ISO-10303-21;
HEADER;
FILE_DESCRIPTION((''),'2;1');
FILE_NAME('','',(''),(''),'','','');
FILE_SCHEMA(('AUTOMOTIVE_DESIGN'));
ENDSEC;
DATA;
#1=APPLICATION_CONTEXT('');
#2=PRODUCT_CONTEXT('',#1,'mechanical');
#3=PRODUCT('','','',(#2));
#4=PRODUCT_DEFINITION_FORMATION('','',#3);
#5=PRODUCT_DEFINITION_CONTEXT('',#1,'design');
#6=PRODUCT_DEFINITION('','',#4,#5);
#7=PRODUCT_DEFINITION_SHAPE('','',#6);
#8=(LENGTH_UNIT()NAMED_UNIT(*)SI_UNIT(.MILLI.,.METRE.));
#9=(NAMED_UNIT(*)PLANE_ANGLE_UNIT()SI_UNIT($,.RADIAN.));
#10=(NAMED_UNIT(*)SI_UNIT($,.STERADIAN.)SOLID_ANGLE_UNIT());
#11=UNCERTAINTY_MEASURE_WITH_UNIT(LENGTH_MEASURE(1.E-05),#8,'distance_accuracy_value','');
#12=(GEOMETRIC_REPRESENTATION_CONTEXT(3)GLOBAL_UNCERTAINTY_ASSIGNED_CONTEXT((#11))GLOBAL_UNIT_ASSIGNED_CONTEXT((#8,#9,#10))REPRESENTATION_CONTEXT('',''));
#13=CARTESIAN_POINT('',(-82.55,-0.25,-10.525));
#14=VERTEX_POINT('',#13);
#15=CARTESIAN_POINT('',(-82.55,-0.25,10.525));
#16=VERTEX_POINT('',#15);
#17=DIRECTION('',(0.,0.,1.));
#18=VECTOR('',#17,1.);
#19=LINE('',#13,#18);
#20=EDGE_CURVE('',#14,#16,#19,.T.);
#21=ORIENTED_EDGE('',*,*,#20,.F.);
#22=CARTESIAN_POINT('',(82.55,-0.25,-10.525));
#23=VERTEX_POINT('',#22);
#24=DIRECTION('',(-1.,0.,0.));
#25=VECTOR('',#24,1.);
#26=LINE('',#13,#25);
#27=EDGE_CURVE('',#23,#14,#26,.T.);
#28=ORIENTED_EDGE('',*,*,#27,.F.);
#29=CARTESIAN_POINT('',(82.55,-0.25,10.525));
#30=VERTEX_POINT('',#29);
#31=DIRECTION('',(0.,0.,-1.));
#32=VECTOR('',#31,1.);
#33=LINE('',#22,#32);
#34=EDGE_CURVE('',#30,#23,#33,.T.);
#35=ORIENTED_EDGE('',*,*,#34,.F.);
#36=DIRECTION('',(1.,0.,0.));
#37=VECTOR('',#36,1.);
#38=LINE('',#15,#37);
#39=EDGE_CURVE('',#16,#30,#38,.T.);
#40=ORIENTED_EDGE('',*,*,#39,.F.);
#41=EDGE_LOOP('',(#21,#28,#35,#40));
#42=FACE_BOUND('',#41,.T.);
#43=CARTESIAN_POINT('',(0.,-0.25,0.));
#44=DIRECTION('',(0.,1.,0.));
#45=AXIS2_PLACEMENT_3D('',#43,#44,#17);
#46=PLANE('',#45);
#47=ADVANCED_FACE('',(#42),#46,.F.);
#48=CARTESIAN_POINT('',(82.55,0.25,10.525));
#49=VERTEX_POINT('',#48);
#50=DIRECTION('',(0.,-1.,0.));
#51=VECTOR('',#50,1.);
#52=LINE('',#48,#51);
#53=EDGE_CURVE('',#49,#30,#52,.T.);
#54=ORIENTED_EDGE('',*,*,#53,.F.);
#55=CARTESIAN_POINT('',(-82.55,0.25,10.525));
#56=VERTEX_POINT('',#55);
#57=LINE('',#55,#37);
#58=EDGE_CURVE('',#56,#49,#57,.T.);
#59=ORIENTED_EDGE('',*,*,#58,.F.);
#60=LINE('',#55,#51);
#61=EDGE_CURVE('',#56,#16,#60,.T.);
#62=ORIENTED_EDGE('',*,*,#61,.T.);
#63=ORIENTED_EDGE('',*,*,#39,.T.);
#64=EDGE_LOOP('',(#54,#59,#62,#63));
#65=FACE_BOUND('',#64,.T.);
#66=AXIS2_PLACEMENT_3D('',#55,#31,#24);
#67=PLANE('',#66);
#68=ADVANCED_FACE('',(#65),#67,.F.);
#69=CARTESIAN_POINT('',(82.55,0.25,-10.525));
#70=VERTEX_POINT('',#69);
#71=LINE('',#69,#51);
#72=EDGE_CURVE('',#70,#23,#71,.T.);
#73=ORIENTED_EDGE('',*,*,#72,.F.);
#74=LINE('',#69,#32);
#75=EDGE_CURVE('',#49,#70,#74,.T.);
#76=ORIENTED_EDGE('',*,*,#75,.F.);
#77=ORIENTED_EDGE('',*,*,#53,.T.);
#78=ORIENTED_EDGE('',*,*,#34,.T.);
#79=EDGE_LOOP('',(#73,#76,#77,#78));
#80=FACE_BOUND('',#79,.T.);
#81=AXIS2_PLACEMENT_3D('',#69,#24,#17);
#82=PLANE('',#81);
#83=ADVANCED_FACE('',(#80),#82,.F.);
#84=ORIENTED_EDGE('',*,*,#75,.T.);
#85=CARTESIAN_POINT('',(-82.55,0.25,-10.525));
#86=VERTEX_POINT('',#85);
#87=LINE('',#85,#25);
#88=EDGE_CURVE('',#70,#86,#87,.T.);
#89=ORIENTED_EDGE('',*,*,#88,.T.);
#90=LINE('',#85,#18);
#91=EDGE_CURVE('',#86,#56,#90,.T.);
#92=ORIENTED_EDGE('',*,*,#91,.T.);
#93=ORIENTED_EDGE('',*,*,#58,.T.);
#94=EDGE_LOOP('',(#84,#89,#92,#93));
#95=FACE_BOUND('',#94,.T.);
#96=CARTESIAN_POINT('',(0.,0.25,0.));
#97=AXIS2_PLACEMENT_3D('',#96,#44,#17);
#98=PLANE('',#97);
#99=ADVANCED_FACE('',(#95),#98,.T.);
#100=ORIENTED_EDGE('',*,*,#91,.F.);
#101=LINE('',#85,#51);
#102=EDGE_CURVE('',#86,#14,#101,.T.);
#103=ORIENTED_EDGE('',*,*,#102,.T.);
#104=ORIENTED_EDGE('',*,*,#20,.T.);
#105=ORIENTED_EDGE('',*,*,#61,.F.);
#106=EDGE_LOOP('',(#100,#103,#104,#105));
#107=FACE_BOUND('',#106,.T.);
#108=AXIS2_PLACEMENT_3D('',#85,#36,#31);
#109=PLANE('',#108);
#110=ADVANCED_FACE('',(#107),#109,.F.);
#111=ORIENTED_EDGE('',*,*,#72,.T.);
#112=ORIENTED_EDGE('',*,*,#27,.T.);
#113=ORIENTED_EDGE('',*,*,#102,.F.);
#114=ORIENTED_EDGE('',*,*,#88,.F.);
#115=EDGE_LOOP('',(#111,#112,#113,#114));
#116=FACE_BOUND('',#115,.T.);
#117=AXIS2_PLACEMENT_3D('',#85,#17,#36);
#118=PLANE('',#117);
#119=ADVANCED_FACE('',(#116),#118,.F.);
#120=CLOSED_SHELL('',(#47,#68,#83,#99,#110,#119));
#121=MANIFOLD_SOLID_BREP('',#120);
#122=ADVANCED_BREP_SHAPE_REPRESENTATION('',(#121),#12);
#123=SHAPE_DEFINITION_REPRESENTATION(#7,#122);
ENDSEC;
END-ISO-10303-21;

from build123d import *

# Parameters (mm, degrees)
SKETCH1_W           = 165.1
SKETCH1_H           = 21.05
BOSS_EXTRUDE1_DEPTH = 0.25


with BuildPart() as part:
    # Sketch1 → Boss-Extrude1 (new, symmetric)
    with BuildSketch(Plane(origin=(0, 0, 0), x_dir=(1, 0, 0), z_dir=(0, 1, 0))):
        Rectangle(SKETCH1_W, SKETCH1_H)
    extrude(amount=BOSS_EXTRUDE1_DEPTH, both=True)


solid = part.part
